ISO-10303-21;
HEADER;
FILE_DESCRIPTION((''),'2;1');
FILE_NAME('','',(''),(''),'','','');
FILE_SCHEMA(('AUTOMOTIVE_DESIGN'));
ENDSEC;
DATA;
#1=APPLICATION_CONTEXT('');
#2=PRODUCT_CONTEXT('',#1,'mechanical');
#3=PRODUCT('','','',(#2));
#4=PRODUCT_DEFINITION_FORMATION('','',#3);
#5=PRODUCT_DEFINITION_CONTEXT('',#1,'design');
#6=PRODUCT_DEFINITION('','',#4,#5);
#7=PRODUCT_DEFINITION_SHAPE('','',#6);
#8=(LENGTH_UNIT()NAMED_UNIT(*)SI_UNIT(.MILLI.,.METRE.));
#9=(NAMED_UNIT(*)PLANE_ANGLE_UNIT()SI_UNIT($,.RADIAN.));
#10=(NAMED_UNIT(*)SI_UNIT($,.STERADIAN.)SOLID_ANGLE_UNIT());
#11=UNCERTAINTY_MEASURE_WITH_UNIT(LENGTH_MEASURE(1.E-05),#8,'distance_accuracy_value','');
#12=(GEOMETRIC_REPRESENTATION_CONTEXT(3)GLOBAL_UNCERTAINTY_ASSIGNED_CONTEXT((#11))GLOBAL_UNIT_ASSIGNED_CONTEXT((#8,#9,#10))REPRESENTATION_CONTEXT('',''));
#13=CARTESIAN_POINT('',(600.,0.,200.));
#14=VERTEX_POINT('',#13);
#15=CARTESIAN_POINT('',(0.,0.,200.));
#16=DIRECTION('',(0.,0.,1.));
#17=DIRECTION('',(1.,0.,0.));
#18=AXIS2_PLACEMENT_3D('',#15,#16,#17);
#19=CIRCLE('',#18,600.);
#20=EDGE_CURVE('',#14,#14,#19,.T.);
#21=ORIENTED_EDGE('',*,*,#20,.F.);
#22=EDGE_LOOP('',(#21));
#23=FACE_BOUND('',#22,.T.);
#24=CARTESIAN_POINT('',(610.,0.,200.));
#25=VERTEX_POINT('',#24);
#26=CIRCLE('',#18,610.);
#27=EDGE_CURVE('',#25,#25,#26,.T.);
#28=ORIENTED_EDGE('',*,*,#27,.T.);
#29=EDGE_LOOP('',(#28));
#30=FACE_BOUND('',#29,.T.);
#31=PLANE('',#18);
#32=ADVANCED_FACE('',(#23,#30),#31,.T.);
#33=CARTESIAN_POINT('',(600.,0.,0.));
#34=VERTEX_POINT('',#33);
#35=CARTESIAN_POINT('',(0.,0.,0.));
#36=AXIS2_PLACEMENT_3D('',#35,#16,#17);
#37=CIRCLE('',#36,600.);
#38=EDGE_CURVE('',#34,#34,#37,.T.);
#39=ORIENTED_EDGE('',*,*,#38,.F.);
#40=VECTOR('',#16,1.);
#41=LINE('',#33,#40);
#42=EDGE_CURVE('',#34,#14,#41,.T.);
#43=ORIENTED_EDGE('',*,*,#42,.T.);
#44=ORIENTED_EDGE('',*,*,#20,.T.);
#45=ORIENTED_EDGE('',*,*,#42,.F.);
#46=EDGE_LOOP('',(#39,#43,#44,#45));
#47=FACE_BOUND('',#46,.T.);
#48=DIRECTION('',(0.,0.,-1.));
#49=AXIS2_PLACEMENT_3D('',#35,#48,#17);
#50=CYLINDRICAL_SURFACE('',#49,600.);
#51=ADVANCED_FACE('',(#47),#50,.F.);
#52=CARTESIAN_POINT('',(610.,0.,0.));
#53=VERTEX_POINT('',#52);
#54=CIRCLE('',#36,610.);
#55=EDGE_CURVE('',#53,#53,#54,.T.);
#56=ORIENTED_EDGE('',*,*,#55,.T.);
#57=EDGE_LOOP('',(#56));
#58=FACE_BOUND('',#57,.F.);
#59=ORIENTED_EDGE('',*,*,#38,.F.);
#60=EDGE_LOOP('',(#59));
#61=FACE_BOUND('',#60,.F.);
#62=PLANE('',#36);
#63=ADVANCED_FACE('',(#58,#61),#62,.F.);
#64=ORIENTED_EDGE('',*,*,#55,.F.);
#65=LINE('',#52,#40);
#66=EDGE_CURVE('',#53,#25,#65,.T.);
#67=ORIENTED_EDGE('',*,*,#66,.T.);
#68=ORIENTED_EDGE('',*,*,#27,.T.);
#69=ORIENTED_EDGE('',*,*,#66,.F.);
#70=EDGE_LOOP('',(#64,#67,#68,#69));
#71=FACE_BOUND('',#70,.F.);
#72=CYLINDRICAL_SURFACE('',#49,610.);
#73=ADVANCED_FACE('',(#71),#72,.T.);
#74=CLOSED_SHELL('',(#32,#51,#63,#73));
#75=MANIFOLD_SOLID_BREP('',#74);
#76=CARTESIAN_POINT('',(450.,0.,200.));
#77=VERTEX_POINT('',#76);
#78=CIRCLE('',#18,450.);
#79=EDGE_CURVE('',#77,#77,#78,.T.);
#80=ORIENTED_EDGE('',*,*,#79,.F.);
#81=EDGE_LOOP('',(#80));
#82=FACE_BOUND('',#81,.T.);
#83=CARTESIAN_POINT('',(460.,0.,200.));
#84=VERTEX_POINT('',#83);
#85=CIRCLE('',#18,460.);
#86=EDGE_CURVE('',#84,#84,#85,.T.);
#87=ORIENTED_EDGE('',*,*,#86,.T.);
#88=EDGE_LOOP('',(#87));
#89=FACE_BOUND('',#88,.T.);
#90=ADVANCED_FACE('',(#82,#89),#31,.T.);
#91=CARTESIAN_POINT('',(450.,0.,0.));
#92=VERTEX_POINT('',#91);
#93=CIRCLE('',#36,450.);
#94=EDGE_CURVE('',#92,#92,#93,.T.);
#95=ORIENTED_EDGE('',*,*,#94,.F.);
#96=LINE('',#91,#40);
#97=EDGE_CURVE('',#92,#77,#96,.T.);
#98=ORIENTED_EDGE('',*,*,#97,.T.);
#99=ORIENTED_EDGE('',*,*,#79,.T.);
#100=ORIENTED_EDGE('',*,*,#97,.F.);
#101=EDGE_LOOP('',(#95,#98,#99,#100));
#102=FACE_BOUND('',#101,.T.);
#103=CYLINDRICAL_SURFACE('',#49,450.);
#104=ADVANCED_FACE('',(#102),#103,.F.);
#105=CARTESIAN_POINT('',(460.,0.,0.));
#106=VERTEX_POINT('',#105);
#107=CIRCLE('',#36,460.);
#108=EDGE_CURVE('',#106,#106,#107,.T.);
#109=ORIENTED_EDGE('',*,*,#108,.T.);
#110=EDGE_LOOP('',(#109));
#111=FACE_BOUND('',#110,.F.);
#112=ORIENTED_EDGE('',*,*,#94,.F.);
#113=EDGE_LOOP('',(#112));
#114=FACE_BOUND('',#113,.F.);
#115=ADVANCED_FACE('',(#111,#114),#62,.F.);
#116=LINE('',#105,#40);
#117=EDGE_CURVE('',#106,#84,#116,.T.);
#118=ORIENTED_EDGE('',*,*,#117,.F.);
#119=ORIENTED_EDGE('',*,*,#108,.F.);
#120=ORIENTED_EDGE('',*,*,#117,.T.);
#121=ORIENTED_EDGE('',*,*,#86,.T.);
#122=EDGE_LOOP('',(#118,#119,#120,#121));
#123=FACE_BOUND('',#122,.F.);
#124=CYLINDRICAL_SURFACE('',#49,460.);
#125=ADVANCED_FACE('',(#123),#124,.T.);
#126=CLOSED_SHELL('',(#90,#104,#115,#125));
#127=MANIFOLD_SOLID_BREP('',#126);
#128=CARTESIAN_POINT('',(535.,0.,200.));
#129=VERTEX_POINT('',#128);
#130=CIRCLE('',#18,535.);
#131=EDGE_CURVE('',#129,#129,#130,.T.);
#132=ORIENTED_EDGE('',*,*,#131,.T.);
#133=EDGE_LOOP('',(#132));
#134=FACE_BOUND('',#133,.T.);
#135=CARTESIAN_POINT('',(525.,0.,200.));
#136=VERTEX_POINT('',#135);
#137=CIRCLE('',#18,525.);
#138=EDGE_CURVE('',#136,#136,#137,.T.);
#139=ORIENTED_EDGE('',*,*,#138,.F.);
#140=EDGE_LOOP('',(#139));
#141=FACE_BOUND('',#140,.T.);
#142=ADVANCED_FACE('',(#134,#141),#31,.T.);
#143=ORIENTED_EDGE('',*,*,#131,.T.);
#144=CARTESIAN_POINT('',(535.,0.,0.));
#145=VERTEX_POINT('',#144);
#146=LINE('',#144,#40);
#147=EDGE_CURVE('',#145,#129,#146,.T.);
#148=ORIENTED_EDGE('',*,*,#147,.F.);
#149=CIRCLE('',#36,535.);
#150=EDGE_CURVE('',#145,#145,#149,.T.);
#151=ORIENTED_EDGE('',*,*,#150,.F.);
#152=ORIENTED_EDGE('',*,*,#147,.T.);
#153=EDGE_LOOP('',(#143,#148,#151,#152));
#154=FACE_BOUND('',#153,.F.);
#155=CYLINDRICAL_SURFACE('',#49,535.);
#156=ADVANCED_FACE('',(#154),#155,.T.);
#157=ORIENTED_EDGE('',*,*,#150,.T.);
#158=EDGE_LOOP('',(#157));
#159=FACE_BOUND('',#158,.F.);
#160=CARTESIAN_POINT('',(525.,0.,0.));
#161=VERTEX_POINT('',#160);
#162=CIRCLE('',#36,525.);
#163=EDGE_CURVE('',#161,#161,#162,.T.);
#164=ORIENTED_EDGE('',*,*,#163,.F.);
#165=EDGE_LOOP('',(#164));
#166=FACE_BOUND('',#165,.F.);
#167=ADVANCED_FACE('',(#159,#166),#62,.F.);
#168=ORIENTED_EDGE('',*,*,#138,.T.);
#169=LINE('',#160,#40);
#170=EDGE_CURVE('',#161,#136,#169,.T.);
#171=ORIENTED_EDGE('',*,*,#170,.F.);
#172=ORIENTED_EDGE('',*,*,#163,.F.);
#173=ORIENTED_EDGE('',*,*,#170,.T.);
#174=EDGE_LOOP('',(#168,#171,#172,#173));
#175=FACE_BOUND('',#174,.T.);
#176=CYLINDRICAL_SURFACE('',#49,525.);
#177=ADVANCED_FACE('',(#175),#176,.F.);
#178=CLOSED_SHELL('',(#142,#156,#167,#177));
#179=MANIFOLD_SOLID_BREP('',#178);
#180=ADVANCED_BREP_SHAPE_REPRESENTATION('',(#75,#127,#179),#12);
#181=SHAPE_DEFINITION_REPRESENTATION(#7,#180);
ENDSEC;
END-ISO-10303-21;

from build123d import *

# Parameters (mm, degrees)
F0_R     = 610
F0_R_2   = 600
F1_DEPTH = 200
F0_R_3   = 460
F0_R_4   = 450
F0_R_5   = 535
F0_R_6   = 525


with BuildPart() as f1:
    # F0 (on Top) → F1 (new body)
    with BuildSketch(Plane.XY):
        Circle(F0_R)
        Circle(F0_R_2, mode=Mode.SUBTRACT)
    extrude(amount=F1_DEPTH)


with BuildPart() as f1b:
    # F0 (on Top) → F1, piece 2 (new body)
    with BuildSketch(Plane.XY):
        Circle(F0_R_3)
        Circle(F0_R_4, mode=Mode.SUBTRACT)
    extrude(amount=F1_DEPTH)


with BuildPart() as f1c:
    # F0 (on Top) → F1, piece 3 (new body)
    with BuildSketch(Plane.XY):
        Circle(F0_R_5)
        Circle(F0_R_6, mode=Mode.SUBTRACT)
    extrude(amount=F1_DEPTH)


solid = Compound([f1.part, f1b.part, f1c.part])
